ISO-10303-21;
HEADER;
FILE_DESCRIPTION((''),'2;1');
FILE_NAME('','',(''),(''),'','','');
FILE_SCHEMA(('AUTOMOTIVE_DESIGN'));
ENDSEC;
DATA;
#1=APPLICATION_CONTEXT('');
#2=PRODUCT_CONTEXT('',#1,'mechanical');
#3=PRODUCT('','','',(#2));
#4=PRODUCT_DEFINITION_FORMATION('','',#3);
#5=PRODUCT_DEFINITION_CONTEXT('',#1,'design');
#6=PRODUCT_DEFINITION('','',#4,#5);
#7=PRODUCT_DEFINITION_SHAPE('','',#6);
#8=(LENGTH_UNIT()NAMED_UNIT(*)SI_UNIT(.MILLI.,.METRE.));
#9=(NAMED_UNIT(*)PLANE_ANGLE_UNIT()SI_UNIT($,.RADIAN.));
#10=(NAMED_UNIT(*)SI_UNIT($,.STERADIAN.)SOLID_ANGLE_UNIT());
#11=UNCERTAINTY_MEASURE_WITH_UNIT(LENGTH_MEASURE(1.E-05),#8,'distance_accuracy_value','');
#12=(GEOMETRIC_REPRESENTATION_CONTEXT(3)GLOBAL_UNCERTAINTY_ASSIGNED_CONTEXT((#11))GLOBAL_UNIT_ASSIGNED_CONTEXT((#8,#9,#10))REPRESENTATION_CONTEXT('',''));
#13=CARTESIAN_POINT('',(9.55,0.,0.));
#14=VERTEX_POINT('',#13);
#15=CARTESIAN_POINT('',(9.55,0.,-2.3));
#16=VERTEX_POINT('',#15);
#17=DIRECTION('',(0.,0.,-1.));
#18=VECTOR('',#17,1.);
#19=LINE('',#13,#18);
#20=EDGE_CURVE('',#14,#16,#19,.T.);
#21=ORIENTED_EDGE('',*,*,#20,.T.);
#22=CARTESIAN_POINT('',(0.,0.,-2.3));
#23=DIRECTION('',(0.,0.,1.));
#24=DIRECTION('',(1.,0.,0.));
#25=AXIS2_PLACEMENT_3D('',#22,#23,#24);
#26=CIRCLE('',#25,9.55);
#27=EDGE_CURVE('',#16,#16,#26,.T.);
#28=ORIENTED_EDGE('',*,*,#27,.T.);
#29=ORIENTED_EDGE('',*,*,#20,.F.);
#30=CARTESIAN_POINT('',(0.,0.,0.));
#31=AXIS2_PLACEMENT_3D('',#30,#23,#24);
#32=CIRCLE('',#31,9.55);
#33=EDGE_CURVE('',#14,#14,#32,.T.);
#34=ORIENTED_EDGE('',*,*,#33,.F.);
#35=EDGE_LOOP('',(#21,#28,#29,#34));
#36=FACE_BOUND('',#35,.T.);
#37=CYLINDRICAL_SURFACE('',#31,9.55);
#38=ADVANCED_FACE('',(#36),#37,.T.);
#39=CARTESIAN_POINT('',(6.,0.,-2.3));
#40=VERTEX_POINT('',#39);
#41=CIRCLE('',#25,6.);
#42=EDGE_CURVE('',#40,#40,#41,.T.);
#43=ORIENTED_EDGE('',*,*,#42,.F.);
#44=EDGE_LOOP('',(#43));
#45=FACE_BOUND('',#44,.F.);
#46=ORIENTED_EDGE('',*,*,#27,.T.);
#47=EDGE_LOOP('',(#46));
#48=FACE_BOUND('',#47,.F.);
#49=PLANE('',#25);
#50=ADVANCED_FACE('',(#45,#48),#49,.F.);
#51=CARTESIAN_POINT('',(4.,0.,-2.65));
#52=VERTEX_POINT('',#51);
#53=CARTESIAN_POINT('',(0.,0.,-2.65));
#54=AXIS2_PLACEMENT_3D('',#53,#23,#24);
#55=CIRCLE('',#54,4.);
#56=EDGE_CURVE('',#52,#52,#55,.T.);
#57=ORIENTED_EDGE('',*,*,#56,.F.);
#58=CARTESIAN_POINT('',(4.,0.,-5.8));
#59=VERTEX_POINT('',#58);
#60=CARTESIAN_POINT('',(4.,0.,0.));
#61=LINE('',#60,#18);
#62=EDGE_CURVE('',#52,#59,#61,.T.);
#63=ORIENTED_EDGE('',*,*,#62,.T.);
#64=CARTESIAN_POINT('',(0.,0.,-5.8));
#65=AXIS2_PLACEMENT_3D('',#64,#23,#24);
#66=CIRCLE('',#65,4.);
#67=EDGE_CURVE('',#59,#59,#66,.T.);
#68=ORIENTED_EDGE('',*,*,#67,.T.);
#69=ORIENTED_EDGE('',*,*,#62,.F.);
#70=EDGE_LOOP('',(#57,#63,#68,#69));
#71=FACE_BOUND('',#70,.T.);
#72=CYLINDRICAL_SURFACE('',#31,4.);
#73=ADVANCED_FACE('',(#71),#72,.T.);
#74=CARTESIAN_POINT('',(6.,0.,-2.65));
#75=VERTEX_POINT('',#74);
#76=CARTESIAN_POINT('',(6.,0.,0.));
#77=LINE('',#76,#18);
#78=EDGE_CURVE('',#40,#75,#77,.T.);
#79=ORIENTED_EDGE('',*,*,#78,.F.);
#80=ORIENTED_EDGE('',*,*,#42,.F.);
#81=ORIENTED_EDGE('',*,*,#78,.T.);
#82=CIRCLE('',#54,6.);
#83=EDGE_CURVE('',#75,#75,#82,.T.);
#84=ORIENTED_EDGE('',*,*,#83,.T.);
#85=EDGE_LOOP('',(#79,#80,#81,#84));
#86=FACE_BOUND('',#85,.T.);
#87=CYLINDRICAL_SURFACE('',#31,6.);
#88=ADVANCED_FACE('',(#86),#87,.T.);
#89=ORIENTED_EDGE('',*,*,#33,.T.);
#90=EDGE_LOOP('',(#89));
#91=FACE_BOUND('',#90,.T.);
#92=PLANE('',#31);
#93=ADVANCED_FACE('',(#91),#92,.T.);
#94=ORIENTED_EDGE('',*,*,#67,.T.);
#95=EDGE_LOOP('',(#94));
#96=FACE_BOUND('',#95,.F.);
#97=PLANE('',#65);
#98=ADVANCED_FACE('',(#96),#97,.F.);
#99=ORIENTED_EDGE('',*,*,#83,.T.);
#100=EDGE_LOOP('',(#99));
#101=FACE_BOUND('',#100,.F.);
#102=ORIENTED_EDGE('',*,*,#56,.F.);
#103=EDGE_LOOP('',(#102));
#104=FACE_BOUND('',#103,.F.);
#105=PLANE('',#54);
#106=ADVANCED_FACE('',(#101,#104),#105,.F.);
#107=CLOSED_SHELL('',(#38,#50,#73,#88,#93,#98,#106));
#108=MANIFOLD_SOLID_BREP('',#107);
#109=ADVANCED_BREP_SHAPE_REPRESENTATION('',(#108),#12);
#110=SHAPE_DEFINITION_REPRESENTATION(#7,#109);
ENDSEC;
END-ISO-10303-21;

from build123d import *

# Parameters (mm, degrees)
F0_R     = 9.55
F0_R_2   = 6
F1_DEPTH = 2.3
F0_R_3   = 4
F2_DEPTH = 2.65
F3_DEPTH = 5.8


with BuildPart() as f1:
    # F0 (on Top) → F1 (new body)
    with BuildSketch(Plane.XY):
        Circle(F0_R)
        Circle(F0_R_2, mode=Mode.SUBTRACT)
    extrude(amount=-F1_DEPTH)

    # F0 (on Top) → F2 (join)
    with BuildSketch(Plane.XY):
        Circle(F0_R_2)
        Circle(F0_R_3, mode=Mode.SUBTRACT)
    extrude(amount=-F2_DEPTH)

    # F0 (on Top) → F3 (join)
    with BuildSketch(Plane.XY):
        Circle(F0_R_3)
    extrude(amount=-F3_DEPTH)


solid = f1.part
